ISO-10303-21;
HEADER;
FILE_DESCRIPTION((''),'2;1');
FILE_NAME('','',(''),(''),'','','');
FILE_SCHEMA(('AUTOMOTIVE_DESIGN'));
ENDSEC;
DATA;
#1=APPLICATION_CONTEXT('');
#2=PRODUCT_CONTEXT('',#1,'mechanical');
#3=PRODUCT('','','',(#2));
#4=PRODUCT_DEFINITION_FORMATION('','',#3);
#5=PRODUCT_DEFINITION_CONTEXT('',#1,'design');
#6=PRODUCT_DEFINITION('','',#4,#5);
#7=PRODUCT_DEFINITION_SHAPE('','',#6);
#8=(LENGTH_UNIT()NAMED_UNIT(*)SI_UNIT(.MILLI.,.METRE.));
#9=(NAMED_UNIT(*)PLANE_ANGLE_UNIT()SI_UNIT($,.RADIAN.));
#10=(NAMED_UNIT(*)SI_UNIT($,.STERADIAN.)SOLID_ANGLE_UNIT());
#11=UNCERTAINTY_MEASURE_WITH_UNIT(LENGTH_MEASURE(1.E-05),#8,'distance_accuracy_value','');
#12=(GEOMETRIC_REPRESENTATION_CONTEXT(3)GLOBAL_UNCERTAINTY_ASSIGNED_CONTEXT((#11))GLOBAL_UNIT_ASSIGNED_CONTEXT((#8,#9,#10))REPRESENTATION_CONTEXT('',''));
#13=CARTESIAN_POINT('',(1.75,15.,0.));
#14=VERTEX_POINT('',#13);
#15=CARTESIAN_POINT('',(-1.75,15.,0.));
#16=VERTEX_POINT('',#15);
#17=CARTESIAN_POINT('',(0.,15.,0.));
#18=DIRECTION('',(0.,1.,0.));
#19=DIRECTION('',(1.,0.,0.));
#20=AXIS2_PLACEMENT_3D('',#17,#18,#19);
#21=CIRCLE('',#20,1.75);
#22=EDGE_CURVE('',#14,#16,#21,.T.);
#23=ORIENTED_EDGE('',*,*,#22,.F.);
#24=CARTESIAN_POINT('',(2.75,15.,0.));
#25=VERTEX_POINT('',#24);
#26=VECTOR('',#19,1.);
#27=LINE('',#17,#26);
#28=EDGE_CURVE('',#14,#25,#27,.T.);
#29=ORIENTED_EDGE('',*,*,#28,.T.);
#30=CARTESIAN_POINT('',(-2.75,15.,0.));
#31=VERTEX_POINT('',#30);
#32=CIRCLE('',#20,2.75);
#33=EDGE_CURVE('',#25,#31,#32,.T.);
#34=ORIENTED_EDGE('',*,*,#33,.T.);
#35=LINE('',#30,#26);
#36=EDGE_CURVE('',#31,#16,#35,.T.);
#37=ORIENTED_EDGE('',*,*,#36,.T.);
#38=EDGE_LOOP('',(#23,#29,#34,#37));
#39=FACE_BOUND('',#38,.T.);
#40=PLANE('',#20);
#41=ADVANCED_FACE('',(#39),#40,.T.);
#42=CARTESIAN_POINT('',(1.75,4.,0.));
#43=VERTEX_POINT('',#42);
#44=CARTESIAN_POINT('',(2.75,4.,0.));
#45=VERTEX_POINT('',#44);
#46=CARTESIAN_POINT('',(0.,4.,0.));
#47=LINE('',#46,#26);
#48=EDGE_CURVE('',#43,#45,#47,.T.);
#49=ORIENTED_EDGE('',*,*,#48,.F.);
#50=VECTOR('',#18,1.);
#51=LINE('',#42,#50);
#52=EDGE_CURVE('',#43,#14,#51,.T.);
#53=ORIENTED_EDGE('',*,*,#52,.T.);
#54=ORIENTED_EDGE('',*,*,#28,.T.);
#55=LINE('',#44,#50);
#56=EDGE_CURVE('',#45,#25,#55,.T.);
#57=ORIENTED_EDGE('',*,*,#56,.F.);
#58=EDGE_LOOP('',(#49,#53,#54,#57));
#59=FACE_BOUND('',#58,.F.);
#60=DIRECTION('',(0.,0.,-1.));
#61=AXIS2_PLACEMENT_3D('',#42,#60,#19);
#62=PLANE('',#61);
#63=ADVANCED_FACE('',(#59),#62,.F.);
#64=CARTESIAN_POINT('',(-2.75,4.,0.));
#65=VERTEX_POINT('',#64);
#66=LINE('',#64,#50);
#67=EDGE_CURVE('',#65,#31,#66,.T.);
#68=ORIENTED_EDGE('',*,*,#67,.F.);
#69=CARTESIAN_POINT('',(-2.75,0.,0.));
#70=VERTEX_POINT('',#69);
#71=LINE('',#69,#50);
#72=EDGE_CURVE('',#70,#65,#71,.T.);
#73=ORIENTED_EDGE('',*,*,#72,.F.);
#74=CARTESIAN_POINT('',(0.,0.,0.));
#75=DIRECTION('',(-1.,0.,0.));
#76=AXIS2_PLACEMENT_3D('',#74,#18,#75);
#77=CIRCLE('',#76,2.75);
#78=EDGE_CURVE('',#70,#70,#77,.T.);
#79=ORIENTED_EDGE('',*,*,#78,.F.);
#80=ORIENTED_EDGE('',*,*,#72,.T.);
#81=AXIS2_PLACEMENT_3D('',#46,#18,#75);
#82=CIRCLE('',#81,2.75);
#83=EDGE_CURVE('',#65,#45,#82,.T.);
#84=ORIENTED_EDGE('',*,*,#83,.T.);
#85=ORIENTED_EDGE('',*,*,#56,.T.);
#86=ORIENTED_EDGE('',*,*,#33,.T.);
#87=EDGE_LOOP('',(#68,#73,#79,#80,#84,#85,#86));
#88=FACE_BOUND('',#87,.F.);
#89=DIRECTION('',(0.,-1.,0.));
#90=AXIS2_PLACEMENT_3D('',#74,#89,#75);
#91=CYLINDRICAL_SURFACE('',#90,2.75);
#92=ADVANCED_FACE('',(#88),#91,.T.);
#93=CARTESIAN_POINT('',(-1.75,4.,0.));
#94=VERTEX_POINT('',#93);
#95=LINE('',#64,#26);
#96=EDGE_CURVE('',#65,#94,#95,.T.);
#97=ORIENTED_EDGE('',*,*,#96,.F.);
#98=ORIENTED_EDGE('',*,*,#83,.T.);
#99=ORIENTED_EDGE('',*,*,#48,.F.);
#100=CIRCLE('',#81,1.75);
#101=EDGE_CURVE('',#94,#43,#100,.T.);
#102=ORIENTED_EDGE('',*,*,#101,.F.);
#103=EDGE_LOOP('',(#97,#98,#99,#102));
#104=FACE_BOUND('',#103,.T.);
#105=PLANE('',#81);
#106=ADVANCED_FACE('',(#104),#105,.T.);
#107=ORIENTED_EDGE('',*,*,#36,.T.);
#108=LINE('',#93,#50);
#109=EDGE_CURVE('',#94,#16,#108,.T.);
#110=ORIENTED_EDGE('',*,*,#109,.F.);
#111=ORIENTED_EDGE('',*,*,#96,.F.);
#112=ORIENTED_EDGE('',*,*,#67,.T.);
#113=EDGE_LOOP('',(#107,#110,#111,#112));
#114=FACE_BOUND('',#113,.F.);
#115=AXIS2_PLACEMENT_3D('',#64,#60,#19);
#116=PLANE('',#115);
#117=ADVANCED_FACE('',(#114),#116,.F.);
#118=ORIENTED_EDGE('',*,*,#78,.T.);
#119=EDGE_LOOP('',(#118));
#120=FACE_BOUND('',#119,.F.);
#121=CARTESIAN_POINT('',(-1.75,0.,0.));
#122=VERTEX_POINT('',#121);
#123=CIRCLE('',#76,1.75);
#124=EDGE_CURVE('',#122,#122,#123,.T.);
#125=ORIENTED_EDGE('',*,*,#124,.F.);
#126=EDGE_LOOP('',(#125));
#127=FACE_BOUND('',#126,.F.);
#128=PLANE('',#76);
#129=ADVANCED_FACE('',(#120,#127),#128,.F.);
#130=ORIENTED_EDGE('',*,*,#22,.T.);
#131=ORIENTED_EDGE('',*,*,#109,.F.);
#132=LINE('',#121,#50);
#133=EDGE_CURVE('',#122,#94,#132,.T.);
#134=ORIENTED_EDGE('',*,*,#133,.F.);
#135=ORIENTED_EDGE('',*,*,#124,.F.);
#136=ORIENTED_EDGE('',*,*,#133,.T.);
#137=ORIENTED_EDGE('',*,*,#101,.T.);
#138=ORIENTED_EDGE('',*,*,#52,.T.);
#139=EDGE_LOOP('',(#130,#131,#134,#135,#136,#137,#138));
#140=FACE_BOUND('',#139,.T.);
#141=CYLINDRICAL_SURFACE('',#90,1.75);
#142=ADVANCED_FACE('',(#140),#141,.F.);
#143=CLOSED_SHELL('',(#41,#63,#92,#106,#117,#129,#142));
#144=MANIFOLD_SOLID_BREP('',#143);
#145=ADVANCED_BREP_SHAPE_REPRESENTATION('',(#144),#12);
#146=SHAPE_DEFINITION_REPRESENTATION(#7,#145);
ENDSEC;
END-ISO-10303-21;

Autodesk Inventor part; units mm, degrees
ref_plane "YZ Plane" through (0, 0, 0) normal (1, 0, 0) x (0, 1, 0)
ref_plane "XZ Plane" through (0, 0, 0) normal (0, 1, 0) x (-1, 0, 0)
ref_plane "XY Plane" through (0, 0, 0) normal (0, 0, 1) x (1, 0, 0)
sketch "Sketch1" plane through (0, 0, 0) normal (0, 1, 0) x (-1, 0, 0)
  circle A0 centre (0, 0) radius 1.75
  circle A1 centre (0, 0) radius 2.75
  dimension "d0" = 3.5
  dimension "d1" = 5.5
extrude "Extrusion1" add sketch "Sketch1" along normal blind 4
sketch "Sketch2" plane through (0, 4, 0) normal (0, 1, 0) x (1, 0, 0)
  circle A0 centre (0, 0) radius 1.75 projected
  circle A1 centre (0, 0) radius 2.75 projected
  circle A2 centre (0, 0) radius 2.75
  circle A3 centre (0, 0) radius 1.75
  circle A4 centre (0, 0) radius 2.75 projected
  circle A5 centre (0, 0) radius 1.75 projected
  circle A6 centre (0, 0) radius 2.75 projected
  line L0 (-2.75, 0) -> (0, 0)
  line L1 (0, 0) -> (2.75, 0)
  arc A7 (1.75, 0) -> (-1.75, 0) centre (0, 0) ccw
  arc A8 (2.75, 0) -> (-2.75, 0) centre (0, 0) ccw
extrude "Extrusion2" add sketch "Sketch2" along normal blind 11 contours A0 L0 A1 L1 picked at (-2.3731, 0.359)
properties part number "espaciador2"
